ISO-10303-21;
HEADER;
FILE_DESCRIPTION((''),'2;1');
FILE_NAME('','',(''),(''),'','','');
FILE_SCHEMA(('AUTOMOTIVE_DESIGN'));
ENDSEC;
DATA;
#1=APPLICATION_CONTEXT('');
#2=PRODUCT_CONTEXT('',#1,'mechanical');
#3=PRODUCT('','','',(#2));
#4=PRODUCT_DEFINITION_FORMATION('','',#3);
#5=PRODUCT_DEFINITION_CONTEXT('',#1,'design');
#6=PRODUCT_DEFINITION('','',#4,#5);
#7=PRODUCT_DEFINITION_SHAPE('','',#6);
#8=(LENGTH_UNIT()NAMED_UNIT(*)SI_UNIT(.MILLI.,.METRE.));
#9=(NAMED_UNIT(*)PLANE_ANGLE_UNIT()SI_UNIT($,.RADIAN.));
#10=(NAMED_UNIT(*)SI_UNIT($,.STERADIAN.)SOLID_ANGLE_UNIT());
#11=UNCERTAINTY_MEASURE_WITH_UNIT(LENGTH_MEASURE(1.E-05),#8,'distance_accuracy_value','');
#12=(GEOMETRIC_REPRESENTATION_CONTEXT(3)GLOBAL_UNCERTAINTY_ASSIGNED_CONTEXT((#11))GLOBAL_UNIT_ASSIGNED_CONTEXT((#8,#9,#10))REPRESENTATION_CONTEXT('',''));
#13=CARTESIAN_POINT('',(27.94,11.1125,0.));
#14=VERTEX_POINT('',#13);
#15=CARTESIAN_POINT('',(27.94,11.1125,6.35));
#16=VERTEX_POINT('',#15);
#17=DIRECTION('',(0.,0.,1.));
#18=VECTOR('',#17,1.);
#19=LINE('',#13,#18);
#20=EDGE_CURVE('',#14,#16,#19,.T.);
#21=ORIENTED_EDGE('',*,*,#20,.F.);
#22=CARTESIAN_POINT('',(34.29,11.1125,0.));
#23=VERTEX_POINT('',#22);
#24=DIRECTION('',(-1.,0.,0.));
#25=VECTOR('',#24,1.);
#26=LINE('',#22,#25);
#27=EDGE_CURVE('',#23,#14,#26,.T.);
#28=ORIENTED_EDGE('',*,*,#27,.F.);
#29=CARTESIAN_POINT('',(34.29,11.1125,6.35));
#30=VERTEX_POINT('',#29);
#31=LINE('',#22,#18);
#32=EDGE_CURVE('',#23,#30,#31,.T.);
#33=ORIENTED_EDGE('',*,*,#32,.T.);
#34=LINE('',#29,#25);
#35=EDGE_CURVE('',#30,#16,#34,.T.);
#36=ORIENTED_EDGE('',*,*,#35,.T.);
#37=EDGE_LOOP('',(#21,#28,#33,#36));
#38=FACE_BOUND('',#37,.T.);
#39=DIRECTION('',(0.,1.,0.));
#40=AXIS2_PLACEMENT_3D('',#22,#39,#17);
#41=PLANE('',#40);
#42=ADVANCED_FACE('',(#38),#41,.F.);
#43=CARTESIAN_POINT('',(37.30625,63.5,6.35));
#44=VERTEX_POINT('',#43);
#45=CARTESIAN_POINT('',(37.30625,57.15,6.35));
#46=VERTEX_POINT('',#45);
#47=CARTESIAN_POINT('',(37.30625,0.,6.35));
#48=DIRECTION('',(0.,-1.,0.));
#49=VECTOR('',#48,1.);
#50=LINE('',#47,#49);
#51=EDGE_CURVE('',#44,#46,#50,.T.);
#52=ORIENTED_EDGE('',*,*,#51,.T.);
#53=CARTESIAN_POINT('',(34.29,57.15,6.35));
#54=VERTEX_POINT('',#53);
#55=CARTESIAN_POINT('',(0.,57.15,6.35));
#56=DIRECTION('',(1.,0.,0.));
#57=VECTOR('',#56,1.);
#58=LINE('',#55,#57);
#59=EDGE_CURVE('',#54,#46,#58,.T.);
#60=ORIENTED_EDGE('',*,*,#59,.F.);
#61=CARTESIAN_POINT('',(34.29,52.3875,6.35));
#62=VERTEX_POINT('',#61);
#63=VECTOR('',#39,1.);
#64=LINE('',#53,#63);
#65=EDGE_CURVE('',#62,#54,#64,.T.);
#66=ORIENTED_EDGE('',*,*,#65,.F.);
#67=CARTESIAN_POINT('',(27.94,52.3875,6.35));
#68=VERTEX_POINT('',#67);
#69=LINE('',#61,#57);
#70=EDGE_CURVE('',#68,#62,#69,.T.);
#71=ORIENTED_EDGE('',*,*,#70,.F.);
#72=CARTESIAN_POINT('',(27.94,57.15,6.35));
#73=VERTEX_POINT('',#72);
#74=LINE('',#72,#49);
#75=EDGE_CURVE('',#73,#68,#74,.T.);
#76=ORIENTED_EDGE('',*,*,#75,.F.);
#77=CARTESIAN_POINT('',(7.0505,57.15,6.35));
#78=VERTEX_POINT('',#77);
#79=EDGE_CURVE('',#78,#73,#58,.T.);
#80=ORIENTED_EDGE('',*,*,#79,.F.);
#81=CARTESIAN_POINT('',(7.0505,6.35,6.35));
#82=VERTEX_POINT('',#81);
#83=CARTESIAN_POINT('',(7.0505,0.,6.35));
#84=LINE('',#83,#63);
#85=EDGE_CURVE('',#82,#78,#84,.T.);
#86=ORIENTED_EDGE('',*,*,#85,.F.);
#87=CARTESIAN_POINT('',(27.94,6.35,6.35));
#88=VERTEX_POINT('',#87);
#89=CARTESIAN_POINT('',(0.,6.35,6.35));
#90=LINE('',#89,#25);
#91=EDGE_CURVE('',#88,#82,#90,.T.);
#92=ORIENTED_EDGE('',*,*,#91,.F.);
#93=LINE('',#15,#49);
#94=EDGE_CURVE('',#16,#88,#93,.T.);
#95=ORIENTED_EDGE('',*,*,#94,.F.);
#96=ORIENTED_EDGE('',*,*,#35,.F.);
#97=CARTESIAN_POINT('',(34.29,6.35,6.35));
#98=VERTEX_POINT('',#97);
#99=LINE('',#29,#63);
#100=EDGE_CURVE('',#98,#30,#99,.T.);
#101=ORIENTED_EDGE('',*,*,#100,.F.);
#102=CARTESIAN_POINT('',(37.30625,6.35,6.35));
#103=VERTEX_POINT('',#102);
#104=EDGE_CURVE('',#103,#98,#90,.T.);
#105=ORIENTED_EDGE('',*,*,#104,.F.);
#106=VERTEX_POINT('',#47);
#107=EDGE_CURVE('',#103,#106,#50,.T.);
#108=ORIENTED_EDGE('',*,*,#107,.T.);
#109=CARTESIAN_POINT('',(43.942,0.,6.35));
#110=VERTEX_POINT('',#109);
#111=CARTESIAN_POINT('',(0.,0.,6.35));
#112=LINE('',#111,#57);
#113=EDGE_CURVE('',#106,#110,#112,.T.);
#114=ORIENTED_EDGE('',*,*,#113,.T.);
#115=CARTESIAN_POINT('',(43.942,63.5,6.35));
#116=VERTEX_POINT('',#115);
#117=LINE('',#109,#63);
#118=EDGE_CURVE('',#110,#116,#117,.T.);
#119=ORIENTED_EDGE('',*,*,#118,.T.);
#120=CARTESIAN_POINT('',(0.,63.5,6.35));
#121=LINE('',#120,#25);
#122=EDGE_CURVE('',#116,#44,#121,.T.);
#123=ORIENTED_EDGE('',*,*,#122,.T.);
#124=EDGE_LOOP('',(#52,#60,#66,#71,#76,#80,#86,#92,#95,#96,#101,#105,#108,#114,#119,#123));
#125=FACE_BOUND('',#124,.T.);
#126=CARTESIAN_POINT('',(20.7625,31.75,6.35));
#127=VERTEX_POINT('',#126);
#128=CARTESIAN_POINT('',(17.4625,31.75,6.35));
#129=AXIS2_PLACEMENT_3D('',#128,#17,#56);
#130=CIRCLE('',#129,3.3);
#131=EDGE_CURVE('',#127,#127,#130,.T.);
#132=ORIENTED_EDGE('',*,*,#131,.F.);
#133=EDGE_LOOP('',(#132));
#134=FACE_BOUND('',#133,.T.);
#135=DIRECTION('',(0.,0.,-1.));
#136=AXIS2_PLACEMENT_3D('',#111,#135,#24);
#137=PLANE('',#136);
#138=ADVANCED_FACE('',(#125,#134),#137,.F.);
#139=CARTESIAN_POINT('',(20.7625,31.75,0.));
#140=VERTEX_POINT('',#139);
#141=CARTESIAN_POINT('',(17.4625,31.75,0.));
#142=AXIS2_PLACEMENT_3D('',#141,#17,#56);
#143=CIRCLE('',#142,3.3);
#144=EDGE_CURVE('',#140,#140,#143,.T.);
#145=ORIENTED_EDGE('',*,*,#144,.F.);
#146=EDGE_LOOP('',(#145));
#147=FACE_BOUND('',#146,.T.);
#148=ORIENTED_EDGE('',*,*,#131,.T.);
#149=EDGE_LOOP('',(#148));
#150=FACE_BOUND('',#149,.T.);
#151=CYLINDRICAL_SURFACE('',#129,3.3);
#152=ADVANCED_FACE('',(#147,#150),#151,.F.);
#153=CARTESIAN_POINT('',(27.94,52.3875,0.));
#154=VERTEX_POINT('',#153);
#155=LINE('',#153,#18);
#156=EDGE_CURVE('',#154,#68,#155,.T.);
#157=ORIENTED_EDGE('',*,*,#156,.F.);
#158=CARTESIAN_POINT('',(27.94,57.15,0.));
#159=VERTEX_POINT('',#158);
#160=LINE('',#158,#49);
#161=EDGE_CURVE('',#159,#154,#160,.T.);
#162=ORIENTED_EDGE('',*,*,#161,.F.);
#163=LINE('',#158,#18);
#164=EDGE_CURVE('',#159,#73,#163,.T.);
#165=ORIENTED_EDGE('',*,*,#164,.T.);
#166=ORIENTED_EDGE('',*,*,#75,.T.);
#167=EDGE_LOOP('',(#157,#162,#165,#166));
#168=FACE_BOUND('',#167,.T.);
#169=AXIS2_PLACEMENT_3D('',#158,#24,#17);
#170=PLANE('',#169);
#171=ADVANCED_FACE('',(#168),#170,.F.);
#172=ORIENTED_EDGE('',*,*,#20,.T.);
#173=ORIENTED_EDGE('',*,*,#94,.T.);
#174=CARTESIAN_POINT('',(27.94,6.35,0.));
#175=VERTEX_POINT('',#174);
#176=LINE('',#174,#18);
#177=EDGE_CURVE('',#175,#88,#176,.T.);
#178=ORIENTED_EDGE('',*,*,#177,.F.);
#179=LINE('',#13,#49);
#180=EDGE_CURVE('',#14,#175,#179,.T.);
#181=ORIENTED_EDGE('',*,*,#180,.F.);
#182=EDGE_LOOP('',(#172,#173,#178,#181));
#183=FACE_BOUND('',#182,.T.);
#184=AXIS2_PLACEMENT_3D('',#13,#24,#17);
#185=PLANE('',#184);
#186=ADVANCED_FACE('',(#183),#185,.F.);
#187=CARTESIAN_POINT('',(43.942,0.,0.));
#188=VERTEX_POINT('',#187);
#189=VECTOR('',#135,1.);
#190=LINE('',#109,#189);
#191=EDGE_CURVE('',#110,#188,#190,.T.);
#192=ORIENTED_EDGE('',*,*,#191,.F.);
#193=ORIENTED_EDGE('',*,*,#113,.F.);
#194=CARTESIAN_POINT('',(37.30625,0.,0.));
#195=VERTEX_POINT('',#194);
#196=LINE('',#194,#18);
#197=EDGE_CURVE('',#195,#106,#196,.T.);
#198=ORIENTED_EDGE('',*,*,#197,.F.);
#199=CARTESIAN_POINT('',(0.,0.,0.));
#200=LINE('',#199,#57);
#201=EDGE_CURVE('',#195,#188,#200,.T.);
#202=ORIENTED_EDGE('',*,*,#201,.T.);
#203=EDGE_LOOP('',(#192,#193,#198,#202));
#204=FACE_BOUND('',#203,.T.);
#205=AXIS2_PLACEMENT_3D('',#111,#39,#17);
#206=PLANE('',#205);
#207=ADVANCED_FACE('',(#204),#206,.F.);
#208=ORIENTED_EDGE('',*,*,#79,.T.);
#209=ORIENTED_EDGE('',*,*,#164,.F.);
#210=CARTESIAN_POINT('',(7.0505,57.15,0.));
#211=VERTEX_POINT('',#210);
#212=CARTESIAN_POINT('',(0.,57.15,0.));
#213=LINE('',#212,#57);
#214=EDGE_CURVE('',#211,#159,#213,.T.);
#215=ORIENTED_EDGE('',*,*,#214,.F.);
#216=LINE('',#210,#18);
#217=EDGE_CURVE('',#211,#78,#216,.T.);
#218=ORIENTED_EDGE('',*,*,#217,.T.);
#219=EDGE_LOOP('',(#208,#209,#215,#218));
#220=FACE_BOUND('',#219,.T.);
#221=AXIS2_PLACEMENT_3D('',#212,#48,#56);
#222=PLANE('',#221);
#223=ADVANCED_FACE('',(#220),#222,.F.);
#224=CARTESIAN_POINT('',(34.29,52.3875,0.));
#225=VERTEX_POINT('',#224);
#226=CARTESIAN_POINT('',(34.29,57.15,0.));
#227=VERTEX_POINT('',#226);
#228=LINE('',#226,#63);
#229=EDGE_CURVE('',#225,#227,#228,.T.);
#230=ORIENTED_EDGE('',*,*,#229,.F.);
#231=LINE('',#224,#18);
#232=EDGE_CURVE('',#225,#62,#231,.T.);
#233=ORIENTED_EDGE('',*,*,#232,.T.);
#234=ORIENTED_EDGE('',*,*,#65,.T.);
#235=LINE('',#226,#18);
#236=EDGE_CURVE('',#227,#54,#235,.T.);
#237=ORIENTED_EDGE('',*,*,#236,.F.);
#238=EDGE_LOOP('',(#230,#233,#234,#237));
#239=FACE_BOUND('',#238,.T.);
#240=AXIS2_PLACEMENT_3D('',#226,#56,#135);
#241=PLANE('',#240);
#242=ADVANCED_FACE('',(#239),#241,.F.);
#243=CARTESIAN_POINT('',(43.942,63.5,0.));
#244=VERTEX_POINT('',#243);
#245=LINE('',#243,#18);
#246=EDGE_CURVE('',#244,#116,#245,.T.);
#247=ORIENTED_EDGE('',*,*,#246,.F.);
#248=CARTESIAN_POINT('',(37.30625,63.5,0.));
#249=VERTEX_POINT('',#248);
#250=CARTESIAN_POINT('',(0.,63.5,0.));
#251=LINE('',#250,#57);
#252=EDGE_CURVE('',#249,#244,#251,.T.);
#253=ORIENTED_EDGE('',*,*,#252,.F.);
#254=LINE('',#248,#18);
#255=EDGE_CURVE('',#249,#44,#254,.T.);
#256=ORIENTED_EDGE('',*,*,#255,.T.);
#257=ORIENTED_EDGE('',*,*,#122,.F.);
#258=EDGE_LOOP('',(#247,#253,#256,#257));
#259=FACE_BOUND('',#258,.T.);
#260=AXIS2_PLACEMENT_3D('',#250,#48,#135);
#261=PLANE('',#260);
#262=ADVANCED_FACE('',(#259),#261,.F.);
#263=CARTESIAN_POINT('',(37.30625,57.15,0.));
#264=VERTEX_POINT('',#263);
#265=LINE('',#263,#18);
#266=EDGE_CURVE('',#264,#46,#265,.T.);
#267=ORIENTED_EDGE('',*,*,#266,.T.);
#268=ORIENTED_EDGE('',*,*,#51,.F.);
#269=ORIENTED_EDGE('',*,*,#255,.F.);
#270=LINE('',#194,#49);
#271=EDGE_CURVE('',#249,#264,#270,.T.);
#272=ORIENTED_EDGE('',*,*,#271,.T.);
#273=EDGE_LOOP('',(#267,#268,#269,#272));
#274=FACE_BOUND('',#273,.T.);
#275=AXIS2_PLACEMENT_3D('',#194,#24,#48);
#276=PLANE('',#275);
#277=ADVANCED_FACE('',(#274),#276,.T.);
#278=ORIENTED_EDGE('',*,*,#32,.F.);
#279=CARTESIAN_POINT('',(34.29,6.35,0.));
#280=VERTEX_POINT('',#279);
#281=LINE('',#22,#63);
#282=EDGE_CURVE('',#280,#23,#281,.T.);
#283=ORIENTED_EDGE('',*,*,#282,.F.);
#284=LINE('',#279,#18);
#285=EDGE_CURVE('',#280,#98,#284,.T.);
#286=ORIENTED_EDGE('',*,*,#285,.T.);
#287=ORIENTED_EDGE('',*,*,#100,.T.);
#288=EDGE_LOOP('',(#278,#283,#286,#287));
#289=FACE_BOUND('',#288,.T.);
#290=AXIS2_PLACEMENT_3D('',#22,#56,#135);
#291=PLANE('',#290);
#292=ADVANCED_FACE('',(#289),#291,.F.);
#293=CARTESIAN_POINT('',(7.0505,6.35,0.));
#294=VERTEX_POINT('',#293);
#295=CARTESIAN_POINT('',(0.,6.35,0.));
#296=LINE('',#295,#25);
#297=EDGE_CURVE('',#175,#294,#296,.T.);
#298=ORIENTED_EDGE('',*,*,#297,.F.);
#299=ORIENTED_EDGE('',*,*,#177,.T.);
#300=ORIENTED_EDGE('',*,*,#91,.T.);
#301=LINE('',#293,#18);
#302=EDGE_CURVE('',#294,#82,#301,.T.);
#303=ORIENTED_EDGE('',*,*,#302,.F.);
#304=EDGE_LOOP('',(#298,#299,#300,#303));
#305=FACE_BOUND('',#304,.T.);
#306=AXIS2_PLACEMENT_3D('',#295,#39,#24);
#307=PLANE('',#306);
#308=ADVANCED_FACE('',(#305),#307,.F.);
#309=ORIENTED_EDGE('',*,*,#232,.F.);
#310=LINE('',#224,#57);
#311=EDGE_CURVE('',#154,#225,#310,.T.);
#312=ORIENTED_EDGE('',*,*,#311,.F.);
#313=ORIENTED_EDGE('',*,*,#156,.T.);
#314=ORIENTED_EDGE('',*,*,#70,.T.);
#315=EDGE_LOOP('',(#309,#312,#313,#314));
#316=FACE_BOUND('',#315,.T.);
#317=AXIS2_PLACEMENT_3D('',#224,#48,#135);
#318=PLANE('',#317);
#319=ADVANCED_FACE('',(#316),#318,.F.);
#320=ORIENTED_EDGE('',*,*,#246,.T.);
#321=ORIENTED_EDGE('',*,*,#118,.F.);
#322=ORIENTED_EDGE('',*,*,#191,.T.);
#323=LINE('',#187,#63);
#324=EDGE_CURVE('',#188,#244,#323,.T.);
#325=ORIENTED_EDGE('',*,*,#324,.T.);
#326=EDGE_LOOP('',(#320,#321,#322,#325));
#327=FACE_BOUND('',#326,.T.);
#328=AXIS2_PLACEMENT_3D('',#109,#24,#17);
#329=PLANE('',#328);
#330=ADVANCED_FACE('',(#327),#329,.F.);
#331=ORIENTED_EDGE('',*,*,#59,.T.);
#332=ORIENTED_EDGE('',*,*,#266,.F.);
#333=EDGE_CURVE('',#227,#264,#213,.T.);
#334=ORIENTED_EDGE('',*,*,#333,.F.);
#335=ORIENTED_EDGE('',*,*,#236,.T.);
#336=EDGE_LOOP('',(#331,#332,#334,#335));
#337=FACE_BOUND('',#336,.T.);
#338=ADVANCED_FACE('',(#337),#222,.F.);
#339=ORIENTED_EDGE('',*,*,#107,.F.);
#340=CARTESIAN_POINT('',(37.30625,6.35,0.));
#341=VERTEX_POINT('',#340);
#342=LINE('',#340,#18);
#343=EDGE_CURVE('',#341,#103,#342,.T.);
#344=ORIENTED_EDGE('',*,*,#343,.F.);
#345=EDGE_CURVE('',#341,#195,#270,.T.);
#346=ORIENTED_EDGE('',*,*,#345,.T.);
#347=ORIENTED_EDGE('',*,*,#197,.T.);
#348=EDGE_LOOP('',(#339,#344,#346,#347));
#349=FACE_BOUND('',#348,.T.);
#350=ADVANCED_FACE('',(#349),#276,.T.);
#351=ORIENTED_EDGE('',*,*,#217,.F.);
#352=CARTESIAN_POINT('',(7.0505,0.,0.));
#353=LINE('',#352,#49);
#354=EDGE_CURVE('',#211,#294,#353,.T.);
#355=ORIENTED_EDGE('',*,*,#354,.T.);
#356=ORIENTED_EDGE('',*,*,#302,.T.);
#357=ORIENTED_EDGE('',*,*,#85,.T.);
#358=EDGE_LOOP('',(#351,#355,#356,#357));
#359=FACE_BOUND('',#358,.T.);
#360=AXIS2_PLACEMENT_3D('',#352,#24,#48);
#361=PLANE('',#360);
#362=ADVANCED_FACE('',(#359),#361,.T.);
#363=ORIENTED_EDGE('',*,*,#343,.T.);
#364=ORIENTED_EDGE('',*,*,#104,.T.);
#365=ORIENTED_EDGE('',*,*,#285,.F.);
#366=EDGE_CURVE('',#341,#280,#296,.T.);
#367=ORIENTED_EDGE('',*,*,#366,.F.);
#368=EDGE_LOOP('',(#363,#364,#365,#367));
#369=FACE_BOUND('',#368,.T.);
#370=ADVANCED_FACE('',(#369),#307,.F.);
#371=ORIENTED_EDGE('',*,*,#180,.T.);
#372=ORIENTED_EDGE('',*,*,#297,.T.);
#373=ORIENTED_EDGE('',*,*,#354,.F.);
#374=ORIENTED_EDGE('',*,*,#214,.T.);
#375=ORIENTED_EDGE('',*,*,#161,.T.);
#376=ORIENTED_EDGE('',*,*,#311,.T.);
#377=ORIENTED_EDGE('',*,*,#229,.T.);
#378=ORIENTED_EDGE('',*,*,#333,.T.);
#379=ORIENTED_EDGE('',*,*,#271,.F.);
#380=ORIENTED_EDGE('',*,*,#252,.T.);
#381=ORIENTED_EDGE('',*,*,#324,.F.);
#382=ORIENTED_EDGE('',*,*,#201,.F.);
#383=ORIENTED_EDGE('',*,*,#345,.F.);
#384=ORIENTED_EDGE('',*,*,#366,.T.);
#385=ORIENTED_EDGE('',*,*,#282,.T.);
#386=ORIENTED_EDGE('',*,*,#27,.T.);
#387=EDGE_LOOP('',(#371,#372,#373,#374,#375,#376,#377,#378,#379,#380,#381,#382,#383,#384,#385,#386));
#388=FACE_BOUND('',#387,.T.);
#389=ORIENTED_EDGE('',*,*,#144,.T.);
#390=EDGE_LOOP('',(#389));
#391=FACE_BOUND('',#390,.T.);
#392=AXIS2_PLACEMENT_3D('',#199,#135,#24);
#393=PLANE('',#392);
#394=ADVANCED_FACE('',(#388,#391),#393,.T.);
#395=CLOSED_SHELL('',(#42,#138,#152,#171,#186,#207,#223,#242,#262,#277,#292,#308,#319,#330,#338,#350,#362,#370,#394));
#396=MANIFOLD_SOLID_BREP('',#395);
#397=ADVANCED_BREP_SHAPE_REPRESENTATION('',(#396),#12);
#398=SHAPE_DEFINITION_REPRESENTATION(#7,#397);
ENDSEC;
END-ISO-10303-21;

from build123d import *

# Parameters (mm, degrees)
SKETCH2_W               = 43.942
SKETCH2_H               = 127
BOSS_EXTRUDE1_DEPTH     = 6.35
M6_CLEARANCE_HOLE1_D    = 6.6
SKETCH5_W               = 7.0505
SKETCH5_H               = 127
CUT_EXTRUDE1_DEPTH      = 1
CUT_EXTRUDE1_DEPTH_BACK = 7.35
SKETCH6_W               = 27.8745
SKETCH6_H               = 3.175
CUT_EXTRUDE2_DEPTH      = 7.35
SKETCH7_W               = 6.35
SKETCH7_H               = 4.7625
CUT_EXTRUDE3_DEPTH      = 7.35
SKETCH8_R               = 3.3
CUT_EXTRUDE4_DEPTH      = 1
CUT_EXTRUDE4_DEPTH_BACK = 7.35


with BuildPart() as part:
    # Sketch2 → Boss-Extrude1 (new body)
    with BuildSketch(Plane.XY):
        with Locations((21.971, 63.5)):
            Rectangle(SKETCH2_W, SKETCH2_H)
    extrude(amount=BOSS_EXTRUDE1_DEPTH)

    # M6 Clearance Hole1 (through all)
    with Locations(Plane.XY.offset(6.35)):
        with Locations((17.4625, 31.75), (17.4625, 95.25)):
            Hole(M6_CLEARANCE_HOLE1_D / 2)

    # Sketch5 → Cut-Extrude1 (cut, two sides)
    with BuildSketch(Plane.XY.offset(6.35)) as cut_extrude1_sk:
        with Locations((3.52525, 63.5)):
            Rectangle(SKETCH5_W, SKETCH5_H)
    extrude(amount=CUT_EXTRUDE1_DEPTH, mode=Mode.SUBTRACT)
    extrude(cut_extrude1_sk.sketch, amount=-CUT_EXTRUDE1_DEPTH_BACK, mode=Mode.SUBTRACT)

    # Sketch6 → Cut-Extrude2 (cut, through all)
    with BuildSketch(Plane.XY.offset(6.35)):
        Polygon((7.0505, 123.825), (7.0505, 120.65), (37.30625, 120.65), (37.30625, 127), (34.925, 127), (34.925, 123.825), align=None)
        with Locations((20.98775, 125.4125)):
            Rectangle(SKETCH6_W, SKETCH6_H)
        Polygon((37.30625, 66.675), (7.0505, 66.675), (7.0505, 63.5), (34.925, 63.5), (34.925, 60.325), (7.0505, 60.325), (7.0505, 57.15), (37.30625, 57.15), align=None)
        with Locations((20.98775, 61.9125)):
            Rectangle(SKETCH6_W, SKETCH6_H)
        Polygon((37.30625, 0), (37.30625, 6.35), (7.0505, 6.35), (7.0505, 3.175), (34.925, 3.175), (34.925, 0), align=None)
        with Locations((20.98775, 1.5875)):
            Rectangle(SKETCH6_W, SKETCH6_H)
    extrude(amount=-CUT_EXTRUDE2_DEPTH, mode=Mode.SUBTRACT)

    # Sketch7 → Cut-Extrude3 (cut, through all)
    with BuildSketch(Plane.XY.offset(6.35)):
        with Locations((31.115, 118.26875)):
            Rectangle(SKETCH7_W, SKETCH7_H)
        with Locations((31.115, 69.05625)):
            Rectangle(SKETCH7_W, SKETCH7_H)
        with Locations((31.115, 54.76875)):
            Rectangle(SKETCH7_W, SKETCH7_H)
        with Locations((31.115, 8.73125)):
            Rectangle(SKETCH7_W, SKETCH7_H)
    extrude(amount=-CUT_EXTRUDE3_DEPTH, mode=Mode.SUBTRACT)

    # Sketch8 → Cut-Extrude4 (cut, two sides)
    with BuildSketch(Plane.XY.offset(6.35)) as cut_extrude4_sk:
        Polygon((37.30625, 66.675), (37.30625, 63.5), (43.942, 63.5), (43.942, 127), (37.30625, 127), (37.30625, 120.65), (34.29, 120.65), (34.29, 115.8875), (27.94, 115.8875), (27.94, 120.65), (7.0505, 120.65), (7.0505, 66.675), (27.94, 66.675), (27.94, 71.4375), (34.29, 71.4375), (34.29, 66.675), align=None)
        with Locations((17.4625, 95.25)):
            Circle(SKETCH8_R, mode=Mode.SUBTRACT)
    extrude(amount=CUT_EXTRUDE4_DEPTH, mode=Mode.SUBTRACT)
    extrude(cut_extrude4_sk.sketch, amount=-CUT_EXTRUDE4_DEPTH_BACK, mode=Mode.SUBTRACT)


solid = part.part
